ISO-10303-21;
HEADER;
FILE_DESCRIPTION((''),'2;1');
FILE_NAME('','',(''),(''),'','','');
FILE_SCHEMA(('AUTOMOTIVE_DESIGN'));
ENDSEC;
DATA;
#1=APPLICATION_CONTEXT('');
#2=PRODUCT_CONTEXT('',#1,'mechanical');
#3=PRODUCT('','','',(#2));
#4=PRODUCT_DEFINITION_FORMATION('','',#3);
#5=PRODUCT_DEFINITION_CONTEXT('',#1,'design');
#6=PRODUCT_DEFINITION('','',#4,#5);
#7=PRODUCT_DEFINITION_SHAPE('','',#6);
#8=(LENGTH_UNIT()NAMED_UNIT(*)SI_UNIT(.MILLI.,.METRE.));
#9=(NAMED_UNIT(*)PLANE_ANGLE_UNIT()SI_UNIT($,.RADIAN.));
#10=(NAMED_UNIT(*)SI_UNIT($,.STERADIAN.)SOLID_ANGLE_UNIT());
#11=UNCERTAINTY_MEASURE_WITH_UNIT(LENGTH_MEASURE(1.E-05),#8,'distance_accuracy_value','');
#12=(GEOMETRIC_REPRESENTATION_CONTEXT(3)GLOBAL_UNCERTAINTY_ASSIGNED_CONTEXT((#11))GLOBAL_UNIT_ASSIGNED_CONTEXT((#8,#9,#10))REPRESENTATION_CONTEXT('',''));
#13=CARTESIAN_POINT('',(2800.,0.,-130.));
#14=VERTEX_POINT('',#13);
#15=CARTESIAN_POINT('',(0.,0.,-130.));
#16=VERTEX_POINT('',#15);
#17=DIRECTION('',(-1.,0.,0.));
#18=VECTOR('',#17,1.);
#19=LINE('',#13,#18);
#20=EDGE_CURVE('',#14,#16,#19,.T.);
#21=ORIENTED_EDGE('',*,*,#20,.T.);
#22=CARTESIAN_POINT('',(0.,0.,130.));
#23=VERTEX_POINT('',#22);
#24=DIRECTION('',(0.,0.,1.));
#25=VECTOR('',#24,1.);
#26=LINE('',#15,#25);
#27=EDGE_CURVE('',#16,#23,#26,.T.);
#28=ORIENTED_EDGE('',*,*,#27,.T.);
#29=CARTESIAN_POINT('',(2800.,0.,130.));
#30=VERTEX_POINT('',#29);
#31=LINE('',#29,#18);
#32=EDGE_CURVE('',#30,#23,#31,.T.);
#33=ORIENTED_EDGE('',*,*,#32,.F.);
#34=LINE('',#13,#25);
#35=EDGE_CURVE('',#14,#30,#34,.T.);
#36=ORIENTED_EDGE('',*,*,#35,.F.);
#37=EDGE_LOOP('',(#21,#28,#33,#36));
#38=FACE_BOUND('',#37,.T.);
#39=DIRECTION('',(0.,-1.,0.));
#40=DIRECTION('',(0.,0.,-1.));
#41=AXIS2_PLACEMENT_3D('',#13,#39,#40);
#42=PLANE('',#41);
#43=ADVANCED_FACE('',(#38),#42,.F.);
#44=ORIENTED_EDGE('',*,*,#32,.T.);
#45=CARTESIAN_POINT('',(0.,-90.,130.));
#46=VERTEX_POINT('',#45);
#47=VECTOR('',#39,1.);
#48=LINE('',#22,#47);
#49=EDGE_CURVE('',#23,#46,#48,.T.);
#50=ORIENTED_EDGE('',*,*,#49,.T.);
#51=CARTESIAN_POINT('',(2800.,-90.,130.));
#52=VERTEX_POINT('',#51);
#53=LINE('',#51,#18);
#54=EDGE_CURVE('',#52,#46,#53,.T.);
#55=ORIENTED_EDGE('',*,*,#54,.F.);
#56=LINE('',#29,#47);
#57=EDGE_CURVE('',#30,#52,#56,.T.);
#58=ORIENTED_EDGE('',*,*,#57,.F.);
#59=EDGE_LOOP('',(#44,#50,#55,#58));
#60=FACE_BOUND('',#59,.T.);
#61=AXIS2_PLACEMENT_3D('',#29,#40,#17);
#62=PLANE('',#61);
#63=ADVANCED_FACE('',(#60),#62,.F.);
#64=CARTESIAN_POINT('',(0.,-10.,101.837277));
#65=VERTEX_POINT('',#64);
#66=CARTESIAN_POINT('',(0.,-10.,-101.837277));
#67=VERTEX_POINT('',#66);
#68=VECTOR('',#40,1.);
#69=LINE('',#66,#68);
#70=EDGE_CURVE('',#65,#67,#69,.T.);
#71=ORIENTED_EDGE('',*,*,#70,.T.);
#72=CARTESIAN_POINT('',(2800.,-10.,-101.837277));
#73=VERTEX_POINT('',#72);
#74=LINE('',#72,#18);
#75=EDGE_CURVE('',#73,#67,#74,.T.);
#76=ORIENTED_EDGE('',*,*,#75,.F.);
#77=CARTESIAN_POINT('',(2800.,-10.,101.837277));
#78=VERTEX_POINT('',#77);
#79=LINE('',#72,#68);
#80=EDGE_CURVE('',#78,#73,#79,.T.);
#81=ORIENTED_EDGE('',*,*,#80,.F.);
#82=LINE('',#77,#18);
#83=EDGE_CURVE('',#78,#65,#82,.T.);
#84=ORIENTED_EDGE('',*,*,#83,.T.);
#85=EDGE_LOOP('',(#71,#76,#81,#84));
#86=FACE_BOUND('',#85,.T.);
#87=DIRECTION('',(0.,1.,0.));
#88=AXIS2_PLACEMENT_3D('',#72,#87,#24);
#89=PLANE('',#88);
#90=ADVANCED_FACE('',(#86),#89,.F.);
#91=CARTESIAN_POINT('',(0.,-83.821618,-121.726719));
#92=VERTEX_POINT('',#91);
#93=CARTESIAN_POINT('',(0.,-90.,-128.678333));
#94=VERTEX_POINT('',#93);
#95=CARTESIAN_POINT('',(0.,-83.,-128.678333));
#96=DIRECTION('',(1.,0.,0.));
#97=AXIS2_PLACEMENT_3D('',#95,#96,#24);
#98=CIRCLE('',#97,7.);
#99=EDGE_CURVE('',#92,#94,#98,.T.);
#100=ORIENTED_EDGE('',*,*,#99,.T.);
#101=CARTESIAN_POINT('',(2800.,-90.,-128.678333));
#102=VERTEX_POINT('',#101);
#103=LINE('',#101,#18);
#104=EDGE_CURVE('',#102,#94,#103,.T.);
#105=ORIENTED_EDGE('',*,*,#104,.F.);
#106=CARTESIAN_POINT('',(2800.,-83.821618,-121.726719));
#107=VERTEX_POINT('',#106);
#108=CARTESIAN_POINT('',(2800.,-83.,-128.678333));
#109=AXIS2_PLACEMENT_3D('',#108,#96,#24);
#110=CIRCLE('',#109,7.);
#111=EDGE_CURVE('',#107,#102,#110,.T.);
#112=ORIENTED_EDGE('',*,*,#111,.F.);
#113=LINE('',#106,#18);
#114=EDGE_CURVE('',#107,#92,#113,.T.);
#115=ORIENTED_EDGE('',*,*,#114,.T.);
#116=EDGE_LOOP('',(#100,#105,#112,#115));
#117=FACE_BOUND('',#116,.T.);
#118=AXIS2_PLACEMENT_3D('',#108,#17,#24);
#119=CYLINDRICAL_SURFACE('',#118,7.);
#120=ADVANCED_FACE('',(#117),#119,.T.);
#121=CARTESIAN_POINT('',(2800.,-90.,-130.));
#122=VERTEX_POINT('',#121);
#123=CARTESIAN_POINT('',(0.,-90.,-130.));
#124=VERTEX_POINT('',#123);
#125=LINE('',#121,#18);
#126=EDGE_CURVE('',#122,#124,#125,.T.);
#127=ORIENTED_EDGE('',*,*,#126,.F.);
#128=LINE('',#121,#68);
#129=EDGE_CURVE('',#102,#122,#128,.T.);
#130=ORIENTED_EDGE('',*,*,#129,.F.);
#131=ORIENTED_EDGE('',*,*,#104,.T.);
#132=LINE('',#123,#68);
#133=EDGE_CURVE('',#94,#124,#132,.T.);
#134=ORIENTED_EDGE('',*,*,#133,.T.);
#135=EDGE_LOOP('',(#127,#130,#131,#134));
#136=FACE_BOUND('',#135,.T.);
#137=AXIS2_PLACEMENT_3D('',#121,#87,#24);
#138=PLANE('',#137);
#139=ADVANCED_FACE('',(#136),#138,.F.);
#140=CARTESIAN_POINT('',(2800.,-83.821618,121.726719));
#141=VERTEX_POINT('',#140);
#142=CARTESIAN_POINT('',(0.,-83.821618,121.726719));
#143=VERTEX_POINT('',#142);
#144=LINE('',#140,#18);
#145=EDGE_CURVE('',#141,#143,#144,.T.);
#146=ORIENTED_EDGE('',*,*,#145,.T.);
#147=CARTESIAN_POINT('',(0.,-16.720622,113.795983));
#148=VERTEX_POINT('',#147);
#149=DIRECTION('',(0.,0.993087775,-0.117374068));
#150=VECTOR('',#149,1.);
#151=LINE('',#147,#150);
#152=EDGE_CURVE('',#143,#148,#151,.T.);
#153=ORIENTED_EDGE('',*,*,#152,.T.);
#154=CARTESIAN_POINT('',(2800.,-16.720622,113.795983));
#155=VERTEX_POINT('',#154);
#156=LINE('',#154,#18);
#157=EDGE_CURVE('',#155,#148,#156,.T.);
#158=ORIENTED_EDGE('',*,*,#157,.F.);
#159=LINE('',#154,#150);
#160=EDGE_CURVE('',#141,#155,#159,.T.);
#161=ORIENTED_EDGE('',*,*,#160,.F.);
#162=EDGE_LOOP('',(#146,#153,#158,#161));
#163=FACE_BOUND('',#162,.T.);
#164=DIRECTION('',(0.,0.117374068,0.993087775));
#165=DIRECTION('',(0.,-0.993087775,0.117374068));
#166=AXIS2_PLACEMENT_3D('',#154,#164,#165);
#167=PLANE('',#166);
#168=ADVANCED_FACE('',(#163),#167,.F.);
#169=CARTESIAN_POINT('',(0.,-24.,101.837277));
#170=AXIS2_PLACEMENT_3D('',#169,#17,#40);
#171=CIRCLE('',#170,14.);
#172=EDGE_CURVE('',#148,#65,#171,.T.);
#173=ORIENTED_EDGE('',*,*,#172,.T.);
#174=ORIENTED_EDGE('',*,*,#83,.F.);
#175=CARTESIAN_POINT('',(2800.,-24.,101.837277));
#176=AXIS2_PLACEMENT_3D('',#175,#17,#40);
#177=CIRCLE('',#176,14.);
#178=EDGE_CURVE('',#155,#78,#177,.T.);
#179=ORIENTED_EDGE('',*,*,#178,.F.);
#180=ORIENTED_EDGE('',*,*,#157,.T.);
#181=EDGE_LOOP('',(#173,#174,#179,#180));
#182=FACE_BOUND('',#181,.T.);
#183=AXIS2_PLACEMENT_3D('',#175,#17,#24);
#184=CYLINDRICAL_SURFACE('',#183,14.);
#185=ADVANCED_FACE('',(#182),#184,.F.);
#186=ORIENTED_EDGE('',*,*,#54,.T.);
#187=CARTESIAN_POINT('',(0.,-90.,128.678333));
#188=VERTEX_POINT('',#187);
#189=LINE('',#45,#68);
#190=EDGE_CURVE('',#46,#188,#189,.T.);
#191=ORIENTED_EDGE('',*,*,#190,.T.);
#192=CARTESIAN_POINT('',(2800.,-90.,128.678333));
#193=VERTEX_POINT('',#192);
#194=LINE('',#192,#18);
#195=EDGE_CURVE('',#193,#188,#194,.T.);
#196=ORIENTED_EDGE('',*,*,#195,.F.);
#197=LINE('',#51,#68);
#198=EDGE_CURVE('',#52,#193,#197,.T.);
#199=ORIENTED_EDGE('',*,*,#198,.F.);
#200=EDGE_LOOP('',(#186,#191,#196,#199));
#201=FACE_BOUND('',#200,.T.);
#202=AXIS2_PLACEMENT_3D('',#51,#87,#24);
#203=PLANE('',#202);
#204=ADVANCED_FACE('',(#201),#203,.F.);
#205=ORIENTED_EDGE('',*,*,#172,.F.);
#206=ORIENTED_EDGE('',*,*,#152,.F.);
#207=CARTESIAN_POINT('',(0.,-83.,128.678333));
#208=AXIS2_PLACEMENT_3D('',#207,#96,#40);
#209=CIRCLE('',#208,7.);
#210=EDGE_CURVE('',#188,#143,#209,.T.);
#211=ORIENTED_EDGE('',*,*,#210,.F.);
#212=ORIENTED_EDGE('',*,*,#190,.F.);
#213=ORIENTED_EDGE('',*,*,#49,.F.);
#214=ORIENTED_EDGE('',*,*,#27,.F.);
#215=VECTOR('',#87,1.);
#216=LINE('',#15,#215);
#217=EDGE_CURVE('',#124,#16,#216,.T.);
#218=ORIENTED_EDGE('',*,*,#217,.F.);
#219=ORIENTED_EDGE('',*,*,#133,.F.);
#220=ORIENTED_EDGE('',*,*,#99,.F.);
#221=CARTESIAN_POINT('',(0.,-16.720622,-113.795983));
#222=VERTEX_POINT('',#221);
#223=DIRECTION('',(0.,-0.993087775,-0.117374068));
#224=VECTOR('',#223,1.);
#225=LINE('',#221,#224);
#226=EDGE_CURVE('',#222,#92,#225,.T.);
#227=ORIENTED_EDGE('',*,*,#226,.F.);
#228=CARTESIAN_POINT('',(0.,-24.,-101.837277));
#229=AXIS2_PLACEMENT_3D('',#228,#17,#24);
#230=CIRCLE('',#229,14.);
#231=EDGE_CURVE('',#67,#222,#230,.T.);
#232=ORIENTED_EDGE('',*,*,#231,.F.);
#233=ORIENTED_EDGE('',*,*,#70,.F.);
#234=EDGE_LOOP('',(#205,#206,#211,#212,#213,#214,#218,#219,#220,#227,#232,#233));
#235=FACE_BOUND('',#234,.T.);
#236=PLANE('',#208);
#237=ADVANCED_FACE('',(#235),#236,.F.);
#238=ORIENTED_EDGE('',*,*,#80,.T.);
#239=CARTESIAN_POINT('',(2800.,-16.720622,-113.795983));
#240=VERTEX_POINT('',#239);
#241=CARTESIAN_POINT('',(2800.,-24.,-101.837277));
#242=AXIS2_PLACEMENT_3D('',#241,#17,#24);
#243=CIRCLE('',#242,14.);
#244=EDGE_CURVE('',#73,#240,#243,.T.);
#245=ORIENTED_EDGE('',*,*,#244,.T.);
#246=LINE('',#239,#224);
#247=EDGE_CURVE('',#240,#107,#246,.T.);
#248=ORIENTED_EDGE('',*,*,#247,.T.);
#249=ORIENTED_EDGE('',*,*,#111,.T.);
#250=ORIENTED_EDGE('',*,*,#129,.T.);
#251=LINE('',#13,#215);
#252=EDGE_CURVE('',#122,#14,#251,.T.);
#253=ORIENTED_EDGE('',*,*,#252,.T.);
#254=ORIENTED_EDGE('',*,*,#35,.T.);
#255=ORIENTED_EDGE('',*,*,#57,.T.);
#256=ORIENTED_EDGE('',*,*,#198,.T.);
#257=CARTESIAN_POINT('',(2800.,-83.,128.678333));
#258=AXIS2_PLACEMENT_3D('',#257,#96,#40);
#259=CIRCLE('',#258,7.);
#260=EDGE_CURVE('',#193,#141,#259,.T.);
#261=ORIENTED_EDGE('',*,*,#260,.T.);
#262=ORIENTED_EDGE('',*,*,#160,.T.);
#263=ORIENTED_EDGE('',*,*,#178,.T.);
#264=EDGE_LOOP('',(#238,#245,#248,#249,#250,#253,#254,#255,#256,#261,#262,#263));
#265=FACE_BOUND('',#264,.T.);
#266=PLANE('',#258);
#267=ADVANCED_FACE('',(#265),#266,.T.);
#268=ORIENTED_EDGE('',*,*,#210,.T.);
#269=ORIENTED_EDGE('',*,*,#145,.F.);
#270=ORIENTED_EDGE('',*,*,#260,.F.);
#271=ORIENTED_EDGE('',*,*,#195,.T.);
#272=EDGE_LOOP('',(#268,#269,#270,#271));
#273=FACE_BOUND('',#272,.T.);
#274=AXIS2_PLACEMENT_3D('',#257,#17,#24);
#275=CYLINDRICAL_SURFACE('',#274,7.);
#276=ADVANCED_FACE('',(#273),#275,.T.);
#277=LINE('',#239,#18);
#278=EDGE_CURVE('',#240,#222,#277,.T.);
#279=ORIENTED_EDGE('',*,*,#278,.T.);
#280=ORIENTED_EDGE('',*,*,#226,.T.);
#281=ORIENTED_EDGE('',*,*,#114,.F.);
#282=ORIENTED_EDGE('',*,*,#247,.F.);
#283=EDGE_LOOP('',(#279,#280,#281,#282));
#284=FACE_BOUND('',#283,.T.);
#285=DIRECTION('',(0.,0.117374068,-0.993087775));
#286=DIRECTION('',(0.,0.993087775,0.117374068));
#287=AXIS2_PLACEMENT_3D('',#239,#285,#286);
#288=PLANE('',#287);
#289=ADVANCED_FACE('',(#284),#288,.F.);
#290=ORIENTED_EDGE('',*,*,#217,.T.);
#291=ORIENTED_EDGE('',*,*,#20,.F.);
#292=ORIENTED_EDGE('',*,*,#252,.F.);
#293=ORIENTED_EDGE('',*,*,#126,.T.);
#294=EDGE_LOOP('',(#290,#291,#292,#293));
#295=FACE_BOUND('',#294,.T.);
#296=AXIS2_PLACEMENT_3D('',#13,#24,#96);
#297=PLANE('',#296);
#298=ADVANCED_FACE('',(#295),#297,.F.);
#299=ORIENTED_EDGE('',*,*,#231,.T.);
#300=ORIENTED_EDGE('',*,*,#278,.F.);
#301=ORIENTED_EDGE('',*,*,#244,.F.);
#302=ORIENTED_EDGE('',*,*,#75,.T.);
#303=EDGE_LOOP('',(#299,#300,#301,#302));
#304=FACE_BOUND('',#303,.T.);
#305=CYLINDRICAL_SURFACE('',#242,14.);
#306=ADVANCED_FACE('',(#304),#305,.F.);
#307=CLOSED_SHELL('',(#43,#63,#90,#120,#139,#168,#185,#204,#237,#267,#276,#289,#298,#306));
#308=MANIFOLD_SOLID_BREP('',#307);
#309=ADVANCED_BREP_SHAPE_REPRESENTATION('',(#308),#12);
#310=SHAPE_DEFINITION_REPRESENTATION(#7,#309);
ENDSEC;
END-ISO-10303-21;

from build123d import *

# Parameters (mm, degrees)
EXTRUDE_1_DEPTH = 2800


with BuildPart() as part:
    # Эскиз2 → Бобышка-Вытянуть1 (new body)
    with BuildSketch(Plane(origin=(0, 0, 0), x_dir=(0, 0, -1), z_dir=(1, 0, 0))):
        with BuildLine():
            Line((130, 0), (-130, 0))
            Line((-130, 0), (-130, -90))
            Line((-130, -90), (-128.678333405, -90))
            ThreePointArc((-128.678333405, -90), (-124.028136062, -88.232175902), (-121.726718983, -83.821618477))
            Line((-121.726718983, -83.821618477), (-113.795983048, -16.720622289))
            ThreePointArc((-113.795983048, -16.720622289), (-108.696165424, -11.795261413), (-101.83727659, -10))
            Line((-101.83727659, -10), (101.83727659, -10))
            ThreePointArc((101.83727659, -10), (108.696165424, -11.795261413), (113.795983048, -16.720622289))
            Line((113.795983048, -16.720622289), (121.726718983, -83.821618477))
            ThreePointArc((121.726718983, -83.821618477), (124.028136062, -88.232175902), (128.678333405, -90))
            Line((128.678333405, -90), (130, -90))
            Line((130, -90), (130, 0))
        make_face()
    extrude(amount=EXTRUDE_1_DEPTH)


solid = part.part
